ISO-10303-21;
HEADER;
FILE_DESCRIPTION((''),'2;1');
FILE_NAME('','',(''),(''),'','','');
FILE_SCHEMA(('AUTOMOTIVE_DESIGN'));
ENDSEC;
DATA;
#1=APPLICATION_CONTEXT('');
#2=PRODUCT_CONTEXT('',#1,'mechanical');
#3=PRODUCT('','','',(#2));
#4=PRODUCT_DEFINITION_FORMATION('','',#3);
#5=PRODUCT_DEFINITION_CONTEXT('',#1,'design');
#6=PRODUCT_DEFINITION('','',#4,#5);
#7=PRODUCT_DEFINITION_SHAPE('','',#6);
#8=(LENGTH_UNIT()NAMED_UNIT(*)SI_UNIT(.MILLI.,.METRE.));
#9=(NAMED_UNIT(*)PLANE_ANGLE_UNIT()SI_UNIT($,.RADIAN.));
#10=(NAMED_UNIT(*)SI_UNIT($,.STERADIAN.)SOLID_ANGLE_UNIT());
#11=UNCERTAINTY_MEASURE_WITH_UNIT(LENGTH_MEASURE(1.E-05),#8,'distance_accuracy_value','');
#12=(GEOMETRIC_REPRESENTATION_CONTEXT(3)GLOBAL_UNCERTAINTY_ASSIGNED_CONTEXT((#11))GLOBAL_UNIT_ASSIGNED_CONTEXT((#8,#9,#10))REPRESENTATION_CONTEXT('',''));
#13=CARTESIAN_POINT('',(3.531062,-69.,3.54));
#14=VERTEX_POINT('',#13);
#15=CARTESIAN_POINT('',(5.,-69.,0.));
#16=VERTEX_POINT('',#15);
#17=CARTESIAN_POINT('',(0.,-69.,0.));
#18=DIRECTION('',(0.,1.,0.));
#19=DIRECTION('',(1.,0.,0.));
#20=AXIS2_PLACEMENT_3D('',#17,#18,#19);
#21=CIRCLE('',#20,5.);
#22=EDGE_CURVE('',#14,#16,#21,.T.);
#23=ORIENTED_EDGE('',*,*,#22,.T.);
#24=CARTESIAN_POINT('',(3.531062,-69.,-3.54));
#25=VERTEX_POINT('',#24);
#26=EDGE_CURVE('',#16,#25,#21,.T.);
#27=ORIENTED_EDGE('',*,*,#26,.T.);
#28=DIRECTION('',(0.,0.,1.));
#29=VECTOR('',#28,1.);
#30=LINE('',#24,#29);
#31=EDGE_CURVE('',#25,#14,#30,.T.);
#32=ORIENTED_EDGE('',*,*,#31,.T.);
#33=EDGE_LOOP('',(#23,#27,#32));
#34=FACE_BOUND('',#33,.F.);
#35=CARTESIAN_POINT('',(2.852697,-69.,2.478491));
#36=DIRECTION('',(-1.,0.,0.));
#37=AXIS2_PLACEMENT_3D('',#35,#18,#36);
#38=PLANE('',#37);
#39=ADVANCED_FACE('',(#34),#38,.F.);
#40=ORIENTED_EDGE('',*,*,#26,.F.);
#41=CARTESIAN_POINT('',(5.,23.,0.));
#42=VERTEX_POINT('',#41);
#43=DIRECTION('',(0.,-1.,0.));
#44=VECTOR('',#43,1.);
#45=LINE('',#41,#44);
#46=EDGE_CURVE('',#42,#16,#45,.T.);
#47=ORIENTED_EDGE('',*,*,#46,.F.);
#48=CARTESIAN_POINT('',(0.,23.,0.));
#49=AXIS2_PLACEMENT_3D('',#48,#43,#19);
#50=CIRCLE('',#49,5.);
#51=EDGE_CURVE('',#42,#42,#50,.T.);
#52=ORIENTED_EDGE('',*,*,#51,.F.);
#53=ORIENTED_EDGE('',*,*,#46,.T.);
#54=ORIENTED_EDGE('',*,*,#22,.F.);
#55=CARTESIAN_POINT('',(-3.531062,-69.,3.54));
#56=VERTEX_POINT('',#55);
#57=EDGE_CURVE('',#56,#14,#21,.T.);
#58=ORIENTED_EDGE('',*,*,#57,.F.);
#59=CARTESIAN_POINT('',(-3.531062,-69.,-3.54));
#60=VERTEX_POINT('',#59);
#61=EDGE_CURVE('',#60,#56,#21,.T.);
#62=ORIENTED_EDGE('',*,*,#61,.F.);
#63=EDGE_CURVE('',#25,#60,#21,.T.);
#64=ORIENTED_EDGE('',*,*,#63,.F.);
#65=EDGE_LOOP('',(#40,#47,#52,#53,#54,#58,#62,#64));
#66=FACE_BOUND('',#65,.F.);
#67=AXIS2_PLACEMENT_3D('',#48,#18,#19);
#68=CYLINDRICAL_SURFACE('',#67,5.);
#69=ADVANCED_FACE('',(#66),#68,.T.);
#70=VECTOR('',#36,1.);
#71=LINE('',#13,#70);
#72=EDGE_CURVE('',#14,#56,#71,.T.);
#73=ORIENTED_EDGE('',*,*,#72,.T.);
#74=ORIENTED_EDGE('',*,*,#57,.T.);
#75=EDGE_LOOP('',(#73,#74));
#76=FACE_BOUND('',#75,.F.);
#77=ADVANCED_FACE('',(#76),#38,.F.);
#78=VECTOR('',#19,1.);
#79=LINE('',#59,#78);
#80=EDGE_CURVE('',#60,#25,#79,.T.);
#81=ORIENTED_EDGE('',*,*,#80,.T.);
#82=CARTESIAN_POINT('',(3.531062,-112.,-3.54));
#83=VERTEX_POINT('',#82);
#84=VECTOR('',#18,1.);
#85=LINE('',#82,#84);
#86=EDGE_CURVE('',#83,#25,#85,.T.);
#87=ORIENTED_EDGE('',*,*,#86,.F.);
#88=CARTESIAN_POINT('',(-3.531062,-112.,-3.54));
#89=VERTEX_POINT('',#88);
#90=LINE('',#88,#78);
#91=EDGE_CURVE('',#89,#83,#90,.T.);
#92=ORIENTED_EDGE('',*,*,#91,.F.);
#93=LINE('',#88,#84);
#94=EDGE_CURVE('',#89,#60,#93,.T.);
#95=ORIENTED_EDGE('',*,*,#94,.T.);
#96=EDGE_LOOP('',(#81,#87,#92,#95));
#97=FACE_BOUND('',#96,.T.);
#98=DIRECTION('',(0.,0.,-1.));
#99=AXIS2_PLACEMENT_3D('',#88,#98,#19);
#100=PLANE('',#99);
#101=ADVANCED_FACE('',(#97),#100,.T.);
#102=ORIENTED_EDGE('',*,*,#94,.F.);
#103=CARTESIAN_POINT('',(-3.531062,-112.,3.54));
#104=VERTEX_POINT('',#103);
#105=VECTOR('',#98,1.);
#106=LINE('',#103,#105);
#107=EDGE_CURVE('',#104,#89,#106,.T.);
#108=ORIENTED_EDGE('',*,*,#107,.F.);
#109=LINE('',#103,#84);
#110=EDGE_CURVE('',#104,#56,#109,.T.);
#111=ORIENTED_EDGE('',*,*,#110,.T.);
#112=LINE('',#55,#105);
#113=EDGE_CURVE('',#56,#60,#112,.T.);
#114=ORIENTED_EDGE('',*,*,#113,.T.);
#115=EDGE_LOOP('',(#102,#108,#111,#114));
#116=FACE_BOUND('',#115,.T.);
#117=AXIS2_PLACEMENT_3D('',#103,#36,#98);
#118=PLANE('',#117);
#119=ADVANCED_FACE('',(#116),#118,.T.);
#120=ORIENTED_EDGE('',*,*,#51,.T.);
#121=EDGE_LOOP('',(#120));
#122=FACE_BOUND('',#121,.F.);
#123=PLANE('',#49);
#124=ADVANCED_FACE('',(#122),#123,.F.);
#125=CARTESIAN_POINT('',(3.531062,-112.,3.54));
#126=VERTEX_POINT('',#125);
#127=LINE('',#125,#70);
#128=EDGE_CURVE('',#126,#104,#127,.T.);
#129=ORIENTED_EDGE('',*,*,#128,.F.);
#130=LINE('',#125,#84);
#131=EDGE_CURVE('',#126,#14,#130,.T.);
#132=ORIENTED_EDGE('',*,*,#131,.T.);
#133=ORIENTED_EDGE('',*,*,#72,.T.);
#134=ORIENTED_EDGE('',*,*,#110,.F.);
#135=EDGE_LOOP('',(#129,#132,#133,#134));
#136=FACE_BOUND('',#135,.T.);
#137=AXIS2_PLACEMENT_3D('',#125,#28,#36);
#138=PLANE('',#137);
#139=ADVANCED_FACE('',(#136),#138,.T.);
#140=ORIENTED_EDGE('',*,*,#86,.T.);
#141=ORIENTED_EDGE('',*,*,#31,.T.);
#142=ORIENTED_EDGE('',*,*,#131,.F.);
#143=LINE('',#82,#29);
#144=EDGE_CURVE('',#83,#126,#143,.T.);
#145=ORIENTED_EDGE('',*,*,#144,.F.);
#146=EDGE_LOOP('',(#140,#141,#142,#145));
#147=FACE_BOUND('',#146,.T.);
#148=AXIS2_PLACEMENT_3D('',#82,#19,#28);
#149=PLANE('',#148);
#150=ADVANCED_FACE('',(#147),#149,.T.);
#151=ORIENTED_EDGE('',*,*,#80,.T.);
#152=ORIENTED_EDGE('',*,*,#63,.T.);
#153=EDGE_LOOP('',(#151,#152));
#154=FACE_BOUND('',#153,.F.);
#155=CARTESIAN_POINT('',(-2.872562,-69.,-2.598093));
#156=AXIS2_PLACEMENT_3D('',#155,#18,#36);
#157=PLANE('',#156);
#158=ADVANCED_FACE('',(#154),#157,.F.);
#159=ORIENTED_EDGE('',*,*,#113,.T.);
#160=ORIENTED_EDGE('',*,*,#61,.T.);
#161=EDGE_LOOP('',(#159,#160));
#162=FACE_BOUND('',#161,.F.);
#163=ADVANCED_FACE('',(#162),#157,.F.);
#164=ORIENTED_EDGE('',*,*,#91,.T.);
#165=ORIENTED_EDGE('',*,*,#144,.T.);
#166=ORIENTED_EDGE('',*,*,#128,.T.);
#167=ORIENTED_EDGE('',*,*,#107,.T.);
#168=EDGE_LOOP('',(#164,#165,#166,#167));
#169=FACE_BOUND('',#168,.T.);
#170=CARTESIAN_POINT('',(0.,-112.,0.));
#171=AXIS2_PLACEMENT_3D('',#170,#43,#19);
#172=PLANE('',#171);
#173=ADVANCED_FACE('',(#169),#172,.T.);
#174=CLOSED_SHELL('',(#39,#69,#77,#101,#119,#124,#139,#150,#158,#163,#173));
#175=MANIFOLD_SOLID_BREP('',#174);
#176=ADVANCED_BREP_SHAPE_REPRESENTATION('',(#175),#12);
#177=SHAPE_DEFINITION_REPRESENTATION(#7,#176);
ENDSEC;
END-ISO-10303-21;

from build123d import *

# Parameters (mm, degrees)
SKETCH015_R     = 5
PAD004_DEPTH    = 135
POCKET012_DEPTH = 43
POCKET013_DEPTH = 43


with BuildPart() as part:
    # Sketch015 → Pad004 (new body)
    with BuildSketch(Plane.XZ):
        Circle(SKETCH015_R)
    extrude(amount=PAD004_DEPTH)

    # Sketch026 (on Face3 of Pad004) → Pocket012 (cut)
    with BuildSketch(Plane.XZ.offset(135)):
        Polygon((3.531062, -3.54), (3.531062, 3.54), (-3.531062, 3.54), (-3.87, 6.02), (6.78, 6.02), (6.88, -3.72), align=None)
    extrude(amount=-POCKET012_DEPTH, mode=Mode.SUBTRACT)

    # Sketch027 (on Face5 of Pocket012) → Pocket013 (cut)
    with BuildSketch(Plane.XZ.offset(135)):
        Polygon((-3.531062, 3.54), (-3.531062, -3.54), (3.531062, -3.54), (3.531062, -6.25), (-6.79, -6.25), (-6.79, 3.54), align=None)
    extrude(amount=-POCKET013_DEPTH, mode=Mode.SUBTRACT)


with BuildPart() as part_1:
    # Body005 placement: moved
    add(part.part.moved(Location((0, 23, 0))))


solid = part_1.part
